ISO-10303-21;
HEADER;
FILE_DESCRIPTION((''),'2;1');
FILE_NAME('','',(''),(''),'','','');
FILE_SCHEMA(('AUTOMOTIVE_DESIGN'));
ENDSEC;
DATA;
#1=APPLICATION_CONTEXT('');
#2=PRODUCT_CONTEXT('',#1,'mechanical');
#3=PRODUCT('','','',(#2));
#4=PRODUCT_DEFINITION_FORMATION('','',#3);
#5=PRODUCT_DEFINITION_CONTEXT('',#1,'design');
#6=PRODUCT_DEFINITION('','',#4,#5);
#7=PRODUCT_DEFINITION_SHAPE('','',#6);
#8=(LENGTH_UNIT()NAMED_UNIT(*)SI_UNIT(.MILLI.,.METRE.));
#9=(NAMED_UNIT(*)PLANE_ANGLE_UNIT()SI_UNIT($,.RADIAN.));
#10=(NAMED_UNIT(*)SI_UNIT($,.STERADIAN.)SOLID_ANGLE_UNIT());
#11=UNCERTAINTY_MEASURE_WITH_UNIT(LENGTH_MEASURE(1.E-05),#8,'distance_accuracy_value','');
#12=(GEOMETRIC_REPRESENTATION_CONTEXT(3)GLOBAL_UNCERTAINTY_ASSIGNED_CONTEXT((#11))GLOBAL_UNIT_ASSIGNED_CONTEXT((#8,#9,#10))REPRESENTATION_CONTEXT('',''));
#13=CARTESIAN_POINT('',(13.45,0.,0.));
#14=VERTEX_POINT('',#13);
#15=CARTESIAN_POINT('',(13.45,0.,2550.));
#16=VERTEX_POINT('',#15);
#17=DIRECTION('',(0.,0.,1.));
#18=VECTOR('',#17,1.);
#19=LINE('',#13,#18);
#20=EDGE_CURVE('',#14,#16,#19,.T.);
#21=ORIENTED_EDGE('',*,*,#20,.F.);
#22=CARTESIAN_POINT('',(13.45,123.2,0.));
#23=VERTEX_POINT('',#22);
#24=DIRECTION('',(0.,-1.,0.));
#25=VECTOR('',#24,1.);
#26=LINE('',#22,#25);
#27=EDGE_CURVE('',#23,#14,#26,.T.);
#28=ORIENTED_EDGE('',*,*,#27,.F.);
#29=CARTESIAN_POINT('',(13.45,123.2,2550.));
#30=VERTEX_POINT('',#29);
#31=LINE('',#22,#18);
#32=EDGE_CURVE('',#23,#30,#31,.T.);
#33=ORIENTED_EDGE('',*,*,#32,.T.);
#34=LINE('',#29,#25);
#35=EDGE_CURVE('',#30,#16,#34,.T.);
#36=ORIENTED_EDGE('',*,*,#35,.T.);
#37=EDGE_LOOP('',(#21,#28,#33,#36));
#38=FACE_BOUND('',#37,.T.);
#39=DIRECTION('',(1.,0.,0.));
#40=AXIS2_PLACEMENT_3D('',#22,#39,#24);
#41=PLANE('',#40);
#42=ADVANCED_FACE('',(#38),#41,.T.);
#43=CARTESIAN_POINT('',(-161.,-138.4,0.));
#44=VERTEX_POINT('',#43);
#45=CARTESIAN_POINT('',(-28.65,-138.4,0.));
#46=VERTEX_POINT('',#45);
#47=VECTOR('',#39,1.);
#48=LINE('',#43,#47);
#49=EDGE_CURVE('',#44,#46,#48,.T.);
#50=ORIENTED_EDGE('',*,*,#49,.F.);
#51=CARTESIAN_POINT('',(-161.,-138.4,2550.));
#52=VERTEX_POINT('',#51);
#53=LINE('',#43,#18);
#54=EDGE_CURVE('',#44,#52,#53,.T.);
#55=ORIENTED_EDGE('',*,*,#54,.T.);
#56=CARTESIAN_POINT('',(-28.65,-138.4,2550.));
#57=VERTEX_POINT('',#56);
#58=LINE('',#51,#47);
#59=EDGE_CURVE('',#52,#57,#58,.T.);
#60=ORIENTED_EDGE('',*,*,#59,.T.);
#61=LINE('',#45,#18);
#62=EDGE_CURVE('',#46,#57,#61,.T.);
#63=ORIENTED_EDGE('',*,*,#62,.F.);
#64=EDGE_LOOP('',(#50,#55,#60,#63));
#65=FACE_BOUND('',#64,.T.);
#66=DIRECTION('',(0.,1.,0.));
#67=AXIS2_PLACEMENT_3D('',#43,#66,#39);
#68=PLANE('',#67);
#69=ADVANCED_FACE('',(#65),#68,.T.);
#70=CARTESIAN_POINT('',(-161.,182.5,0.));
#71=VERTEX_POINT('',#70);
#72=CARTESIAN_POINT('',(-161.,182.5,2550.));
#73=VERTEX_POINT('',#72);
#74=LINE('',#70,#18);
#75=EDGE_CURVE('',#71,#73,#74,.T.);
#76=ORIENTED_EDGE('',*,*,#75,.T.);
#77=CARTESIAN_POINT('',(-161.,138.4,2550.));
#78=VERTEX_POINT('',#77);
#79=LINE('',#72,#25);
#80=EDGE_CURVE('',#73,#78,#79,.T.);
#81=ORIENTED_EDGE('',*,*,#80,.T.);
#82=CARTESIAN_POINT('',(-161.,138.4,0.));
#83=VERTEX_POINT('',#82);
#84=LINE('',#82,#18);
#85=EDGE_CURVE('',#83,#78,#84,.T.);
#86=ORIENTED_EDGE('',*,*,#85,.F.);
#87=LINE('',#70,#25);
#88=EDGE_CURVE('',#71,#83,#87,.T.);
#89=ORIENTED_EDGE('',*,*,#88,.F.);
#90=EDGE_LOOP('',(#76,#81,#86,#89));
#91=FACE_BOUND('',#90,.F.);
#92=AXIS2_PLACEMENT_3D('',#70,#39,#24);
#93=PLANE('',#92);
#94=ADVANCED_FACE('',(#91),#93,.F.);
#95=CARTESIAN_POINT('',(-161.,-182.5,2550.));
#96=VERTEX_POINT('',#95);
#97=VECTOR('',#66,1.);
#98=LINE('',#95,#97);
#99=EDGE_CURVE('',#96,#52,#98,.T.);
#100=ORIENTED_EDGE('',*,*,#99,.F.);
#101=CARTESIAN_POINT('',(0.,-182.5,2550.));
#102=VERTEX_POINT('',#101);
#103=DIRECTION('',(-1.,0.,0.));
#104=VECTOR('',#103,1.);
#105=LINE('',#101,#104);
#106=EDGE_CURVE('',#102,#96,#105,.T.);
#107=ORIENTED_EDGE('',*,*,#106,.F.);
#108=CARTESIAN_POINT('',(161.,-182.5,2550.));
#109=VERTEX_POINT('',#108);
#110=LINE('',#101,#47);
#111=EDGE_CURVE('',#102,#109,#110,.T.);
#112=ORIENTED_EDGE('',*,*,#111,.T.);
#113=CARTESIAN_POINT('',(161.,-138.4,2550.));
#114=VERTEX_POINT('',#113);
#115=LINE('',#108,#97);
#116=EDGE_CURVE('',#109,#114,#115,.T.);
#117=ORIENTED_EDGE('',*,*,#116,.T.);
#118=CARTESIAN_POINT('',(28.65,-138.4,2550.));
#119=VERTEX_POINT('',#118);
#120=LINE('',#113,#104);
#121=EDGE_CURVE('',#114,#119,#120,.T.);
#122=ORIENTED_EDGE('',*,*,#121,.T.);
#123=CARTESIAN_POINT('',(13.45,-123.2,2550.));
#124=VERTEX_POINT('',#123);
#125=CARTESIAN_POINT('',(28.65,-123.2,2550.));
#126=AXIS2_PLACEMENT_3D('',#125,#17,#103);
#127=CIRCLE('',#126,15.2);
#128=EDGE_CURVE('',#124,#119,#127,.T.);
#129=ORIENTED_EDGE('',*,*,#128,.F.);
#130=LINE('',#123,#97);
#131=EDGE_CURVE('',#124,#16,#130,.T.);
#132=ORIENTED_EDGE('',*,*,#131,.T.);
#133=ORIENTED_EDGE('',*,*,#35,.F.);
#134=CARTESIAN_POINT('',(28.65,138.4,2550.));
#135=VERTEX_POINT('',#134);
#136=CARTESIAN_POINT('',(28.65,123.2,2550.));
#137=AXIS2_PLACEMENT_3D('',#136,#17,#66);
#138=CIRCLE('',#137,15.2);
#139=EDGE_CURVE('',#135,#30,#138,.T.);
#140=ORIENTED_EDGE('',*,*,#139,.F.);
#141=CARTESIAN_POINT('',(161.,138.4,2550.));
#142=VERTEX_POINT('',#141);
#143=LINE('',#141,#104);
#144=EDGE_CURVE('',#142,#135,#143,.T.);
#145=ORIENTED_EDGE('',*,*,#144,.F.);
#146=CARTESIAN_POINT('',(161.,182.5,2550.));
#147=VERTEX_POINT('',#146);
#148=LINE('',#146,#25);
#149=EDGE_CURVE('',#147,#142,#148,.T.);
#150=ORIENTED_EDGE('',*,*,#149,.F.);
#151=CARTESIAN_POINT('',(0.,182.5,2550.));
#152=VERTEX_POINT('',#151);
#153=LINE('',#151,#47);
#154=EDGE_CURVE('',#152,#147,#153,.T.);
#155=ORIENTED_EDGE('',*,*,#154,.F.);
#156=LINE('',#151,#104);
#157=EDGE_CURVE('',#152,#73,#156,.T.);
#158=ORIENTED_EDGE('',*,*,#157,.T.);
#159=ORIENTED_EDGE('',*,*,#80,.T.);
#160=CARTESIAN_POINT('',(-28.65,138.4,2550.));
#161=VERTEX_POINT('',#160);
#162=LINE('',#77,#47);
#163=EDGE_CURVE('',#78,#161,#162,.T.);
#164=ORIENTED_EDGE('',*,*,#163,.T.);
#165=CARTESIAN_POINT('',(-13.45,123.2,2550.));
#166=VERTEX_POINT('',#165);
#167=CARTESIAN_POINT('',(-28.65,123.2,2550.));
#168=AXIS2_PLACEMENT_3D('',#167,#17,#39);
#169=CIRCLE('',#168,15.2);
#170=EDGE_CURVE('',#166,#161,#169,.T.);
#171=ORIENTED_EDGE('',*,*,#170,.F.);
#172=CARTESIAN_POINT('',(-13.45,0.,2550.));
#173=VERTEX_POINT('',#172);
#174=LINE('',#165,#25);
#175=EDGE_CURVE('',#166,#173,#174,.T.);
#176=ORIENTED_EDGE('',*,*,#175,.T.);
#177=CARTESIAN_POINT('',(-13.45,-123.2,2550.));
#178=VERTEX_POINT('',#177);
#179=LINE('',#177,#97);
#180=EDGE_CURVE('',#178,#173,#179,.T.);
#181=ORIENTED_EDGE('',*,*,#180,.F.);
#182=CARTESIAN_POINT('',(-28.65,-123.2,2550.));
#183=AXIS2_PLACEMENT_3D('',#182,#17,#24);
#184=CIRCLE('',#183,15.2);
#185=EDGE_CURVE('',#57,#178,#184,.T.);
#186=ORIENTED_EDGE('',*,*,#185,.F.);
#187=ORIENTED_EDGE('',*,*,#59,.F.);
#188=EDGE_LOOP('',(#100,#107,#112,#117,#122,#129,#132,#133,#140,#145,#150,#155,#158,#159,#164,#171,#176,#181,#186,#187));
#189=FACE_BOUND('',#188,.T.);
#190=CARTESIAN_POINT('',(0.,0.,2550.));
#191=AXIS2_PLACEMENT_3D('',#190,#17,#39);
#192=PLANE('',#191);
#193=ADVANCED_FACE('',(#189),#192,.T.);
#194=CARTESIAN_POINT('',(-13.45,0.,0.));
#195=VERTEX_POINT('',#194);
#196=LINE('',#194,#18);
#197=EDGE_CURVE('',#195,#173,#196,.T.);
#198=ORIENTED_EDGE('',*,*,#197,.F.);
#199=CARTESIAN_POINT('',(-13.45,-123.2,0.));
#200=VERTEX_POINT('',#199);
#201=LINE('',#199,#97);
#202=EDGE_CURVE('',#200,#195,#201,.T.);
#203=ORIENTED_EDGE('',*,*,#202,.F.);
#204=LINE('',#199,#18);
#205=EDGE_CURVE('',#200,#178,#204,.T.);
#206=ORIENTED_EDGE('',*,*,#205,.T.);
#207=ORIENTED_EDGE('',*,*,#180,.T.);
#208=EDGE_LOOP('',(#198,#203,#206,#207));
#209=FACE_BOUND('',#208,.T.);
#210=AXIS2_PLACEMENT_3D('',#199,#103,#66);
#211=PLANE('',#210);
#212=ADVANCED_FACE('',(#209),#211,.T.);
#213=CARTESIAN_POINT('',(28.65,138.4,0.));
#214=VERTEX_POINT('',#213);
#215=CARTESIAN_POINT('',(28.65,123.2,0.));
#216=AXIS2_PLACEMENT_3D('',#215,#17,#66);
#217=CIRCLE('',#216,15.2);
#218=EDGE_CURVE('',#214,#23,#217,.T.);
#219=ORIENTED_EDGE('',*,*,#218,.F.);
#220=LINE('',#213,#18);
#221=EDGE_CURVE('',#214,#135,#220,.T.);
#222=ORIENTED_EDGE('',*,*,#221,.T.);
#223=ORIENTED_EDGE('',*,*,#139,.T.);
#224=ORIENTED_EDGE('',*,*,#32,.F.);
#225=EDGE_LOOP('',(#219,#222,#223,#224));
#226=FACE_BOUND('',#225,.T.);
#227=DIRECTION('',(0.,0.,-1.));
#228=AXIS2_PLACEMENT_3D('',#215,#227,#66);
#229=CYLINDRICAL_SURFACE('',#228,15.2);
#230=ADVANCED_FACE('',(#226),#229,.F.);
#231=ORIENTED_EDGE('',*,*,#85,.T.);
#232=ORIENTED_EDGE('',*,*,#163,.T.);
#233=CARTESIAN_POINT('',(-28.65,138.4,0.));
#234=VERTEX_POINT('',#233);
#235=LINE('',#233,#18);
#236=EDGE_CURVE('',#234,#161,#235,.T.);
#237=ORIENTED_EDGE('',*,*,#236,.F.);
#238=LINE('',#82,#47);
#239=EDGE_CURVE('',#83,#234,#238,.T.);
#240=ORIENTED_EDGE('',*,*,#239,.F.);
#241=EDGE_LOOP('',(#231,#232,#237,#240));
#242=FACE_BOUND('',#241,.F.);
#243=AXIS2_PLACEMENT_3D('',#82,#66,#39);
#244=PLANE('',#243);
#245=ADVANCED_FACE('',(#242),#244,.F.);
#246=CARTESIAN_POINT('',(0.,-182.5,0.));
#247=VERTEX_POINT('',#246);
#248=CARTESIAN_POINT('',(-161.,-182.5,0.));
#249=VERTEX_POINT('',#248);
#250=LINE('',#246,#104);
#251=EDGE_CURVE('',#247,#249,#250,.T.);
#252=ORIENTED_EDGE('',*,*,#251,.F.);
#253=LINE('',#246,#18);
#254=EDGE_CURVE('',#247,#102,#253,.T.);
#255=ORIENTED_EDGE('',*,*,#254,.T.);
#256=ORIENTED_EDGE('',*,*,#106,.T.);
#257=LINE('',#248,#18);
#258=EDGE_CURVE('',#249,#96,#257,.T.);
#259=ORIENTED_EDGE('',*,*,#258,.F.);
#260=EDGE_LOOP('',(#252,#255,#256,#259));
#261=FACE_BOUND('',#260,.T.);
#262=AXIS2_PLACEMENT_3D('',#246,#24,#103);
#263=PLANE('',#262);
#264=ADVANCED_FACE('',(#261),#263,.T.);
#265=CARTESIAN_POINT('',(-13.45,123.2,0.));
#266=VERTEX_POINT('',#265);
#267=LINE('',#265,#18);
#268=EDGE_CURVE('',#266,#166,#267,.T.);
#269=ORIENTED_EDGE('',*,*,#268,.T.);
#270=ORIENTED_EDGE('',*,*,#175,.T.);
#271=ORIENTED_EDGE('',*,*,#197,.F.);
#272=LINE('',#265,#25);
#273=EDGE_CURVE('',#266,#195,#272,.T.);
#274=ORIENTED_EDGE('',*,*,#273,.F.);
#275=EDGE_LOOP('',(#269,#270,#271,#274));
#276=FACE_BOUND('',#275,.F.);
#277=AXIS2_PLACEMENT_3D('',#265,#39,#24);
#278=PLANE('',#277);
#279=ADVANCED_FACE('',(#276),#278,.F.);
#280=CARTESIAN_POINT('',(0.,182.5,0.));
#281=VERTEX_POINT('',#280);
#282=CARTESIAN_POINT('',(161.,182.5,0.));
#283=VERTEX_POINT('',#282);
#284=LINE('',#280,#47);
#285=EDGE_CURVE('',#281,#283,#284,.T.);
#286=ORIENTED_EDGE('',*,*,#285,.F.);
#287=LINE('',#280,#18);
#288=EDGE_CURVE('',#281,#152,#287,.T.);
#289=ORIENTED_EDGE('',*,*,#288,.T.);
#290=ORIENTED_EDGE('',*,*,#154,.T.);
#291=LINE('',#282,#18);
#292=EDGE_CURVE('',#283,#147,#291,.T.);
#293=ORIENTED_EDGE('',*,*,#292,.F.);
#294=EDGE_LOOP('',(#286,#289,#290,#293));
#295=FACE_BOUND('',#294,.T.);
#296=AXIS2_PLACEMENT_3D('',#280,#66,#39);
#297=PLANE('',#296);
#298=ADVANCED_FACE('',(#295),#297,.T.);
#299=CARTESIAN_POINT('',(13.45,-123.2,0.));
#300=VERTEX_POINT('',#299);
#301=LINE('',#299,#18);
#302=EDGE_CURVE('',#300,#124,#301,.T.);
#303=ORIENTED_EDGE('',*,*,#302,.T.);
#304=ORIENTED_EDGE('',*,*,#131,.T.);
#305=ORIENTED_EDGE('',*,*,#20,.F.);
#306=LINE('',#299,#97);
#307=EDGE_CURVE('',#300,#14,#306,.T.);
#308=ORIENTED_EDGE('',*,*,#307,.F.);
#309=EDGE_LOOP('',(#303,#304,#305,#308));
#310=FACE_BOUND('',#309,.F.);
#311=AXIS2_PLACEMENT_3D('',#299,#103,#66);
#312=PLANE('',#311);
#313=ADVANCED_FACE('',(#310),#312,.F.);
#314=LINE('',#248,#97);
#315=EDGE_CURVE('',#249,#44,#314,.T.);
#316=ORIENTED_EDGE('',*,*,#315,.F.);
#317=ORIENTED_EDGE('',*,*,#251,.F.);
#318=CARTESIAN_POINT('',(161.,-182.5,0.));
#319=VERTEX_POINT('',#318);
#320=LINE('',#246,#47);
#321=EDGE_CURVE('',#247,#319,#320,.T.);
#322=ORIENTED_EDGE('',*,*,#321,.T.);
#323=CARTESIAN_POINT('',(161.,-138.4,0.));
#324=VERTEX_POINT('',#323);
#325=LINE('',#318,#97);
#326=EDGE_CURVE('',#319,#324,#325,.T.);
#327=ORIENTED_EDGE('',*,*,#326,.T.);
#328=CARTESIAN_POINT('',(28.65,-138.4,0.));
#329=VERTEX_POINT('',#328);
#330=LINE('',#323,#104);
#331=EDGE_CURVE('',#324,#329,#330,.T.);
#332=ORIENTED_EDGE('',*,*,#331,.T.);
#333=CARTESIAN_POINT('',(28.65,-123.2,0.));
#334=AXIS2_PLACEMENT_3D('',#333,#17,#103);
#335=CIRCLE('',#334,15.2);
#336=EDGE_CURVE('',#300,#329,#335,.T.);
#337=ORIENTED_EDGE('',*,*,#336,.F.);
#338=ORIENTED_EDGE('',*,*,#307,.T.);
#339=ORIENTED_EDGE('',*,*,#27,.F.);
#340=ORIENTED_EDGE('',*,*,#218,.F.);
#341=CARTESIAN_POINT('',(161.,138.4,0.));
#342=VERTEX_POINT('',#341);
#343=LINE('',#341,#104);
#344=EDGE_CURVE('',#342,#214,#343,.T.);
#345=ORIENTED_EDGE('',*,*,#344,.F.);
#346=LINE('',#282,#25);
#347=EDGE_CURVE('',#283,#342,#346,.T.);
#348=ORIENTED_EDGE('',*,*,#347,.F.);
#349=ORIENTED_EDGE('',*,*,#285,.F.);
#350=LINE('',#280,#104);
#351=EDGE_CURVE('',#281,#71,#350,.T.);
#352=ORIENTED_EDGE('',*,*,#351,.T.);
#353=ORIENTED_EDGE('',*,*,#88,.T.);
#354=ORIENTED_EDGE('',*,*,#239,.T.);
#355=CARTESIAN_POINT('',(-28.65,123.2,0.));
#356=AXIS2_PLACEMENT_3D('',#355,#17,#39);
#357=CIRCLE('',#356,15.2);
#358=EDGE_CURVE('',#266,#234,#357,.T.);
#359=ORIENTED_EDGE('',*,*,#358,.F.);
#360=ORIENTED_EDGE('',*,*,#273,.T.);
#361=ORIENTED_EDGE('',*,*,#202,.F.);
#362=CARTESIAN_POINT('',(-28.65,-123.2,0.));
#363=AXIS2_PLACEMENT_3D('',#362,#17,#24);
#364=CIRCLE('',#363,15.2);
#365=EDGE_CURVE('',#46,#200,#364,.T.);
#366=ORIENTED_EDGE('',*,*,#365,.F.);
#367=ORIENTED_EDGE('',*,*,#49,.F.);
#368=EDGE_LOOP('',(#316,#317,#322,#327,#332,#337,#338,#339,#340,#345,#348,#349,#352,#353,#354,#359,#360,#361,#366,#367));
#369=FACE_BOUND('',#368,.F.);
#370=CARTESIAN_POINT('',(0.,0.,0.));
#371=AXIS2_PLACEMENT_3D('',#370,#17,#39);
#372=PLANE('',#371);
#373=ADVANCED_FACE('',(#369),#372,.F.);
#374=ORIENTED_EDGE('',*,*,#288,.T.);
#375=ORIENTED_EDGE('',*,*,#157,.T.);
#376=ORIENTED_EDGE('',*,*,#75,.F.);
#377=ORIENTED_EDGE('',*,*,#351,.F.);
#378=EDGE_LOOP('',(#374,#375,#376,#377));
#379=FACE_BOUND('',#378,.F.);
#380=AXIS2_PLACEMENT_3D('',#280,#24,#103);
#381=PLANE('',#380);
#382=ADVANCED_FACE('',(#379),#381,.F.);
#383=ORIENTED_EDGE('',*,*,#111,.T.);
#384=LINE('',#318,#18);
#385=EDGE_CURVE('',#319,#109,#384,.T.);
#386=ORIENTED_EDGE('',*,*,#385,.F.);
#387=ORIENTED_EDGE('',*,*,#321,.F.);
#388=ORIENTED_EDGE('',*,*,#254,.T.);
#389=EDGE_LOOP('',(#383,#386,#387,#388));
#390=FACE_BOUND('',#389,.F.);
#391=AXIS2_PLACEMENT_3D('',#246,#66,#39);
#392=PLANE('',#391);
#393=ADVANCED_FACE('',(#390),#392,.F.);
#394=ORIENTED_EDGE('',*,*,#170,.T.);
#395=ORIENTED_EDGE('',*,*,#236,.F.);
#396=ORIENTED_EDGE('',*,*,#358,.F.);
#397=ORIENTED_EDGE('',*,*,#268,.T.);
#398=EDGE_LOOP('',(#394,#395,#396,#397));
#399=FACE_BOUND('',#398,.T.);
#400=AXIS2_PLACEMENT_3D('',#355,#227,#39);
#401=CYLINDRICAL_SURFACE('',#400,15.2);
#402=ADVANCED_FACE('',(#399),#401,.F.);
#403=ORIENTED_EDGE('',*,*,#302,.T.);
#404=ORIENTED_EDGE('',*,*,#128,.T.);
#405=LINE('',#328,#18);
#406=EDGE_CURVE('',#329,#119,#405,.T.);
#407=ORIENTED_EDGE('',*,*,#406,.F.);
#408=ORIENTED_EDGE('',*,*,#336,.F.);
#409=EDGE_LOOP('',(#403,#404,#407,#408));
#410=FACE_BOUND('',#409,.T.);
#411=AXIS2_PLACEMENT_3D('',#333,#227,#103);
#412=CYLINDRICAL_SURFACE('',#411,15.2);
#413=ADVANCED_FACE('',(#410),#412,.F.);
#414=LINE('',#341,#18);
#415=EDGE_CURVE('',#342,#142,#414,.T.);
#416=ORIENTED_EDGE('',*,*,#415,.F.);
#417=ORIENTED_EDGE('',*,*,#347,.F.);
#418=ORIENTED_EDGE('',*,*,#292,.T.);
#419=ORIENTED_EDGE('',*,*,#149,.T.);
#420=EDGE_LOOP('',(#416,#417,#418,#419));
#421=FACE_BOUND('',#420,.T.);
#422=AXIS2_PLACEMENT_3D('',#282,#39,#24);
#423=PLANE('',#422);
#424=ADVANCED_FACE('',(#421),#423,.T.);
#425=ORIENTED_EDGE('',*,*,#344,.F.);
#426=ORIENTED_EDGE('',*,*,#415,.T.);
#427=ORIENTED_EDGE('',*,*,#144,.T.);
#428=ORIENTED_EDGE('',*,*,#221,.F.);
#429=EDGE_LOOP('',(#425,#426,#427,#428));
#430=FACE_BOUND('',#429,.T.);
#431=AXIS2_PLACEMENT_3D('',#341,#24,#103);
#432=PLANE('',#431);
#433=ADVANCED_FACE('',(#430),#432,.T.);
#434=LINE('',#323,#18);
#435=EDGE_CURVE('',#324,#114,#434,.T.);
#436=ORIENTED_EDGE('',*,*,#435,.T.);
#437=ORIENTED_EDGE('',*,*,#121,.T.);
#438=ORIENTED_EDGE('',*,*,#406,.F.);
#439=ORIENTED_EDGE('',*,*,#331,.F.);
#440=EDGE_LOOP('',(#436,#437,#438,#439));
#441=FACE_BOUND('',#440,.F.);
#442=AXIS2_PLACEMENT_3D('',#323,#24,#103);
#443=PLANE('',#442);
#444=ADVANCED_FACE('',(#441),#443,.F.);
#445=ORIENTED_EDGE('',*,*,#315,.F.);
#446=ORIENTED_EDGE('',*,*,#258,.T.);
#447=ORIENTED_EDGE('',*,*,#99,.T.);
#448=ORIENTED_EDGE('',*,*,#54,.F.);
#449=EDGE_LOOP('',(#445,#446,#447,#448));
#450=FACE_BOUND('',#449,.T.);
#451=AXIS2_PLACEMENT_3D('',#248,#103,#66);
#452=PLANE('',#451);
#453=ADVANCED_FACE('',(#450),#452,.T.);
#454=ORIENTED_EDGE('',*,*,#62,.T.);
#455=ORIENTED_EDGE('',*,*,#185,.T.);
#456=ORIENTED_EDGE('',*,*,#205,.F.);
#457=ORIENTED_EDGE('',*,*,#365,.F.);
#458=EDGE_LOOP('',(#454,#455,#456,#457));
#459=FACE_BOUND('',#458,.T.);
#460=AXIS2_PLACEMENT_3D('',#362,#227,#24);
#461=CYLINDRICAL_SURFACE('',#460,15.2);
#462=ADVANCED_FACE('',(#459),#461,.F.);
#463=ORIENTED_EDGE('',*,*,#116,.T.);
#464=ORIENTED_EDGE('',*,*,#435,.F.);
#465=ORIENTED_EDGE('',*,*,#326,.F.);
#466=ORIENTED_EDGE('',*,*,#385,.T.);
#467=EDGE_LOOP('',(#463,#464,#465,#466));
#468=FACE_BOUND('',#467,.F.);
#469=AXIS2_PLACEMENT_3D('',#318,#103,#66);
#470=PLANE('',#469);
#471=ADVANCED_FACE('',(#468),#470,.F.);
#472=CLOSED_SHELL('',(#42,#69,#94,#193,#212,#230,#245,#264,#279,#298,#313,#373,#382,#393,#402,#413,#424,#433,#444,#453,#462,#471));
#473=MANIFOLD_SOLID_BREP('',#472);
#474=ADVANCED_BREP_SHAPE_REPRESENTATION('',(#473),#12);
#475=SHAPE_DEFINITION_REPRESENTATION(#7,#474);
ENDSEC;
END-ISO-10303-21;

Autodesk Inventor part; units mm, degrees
ref_plane "YZ Plane" through (0, 0, 0) normal (1, 0, 0) x (0, 1, 0)
ref_plane "Start plane" through (0, 0, 0) normal (0, 0, 1) x (1, 0, 0)
ref_plane "End plane" through (0, 0, 2550) normal (0, 0, 1) x (1, 0, 0)
sketch "Sketch" plane through (0, 0, 0) normal (0, 0, 1) x (1, 0, 0)
  line L0 (-161, -182.5) -> (-161, -138.4)
  line L1 (-161, -138.4) -> (-28.65, -138.4)
  line L2 (-13.45, -123.2) -> (-13.45, 0)
  line L3 (-13.45, 0) -> (0, 0) construction
  line L4 (0, 0) -> (0, -182.5) construction
  line L5 (0, -182.5) -> (-161, -182.5)
  line L6 (-60, 0) -> (80, 0) construction
  line L7 (0, -60) -> (0, 80) construction
  line L8 (161, -182.5) -> (161, -138.4)
  line L9 (161, -138.4) -> (28.65, -138.4)
  line L10 (13.45, -123.2) -> (13.45, 0)
  line L11 (13.45, 0) -> (0, 0) construction
  line L12 (0, -182.5) -> (161, -182.5)
  line L13 (-161, 182.5) -> (-161, 138.4)
  line L14 (-161, 138.4) -> (-28.65, 138.4)
  line L15 (-13.45, 123.2) -> (-13.45, 0)
  line L16 (0, 182.5) -> (-161, 182.5)
  line L17 (161, 182.5) -> (161, 138.4)
  line L18 (161, 138.4) -> (28.65, 138.4)
  line L19 (0, 182.5) -> (161, 182.5)
  line L20 (13.45, 123.2) -> (13.45, 0)
  arc A0 (-13.45, 123.2) -> (-28.65, 138.4) centre (-28.65, 123.2) ccw
  arc A1 (28.65, 138.4) -> (13.45, 123.2) centre (28.65, 123.2) ccw
  arc A2 (13.45, -123.2) -> (28.65, -138.4) centre (28.65, -123.2) ccw
  arc A3 (-28.65, -138.4) -> (-13.45, -123.2) centre (-28.65, -123.2) ccw
  line L21 (0, 108) -> (0, -88) construction
  line L22 (-88, 0) -> (108, 0) construction
  point P0 (-13.45, -138.4)
  point P1 (13.45, -138.4)
  point P2 (-13.45, 138.4)
  point P3 (13.45, 138.4)
  dimension "d1" = 182.5
  dimension "d2" = 44.1
  dimension "d3" = 161
  dimension "d4" = 13.45
  dimension "d10" = 15.2
extrude "Body" add sketch "Sketch" along normal up to surface (2550 mm away) from surface at 0
sketch "Sketch4" plane through (0, 0, 0) normal (0, 0, 1) x (1, 0, 0)
  line L0 (0, 0) -> (10, 0)
ref_plane "Work Plane3" through (0, 0, 0) normal (0, -1, 0) x (1, 0, 0)
sketch "Sketch5" plane through (0, 0, 0) normal (0, -1, 0) x (1, 0, 0)
  line L0 (-2, 0) -> (12, 0) projected
  line L1 (-2, 2550) -> (12, 2550) projected
  dimension "d14" = 2550
equation "\"d1\" = 0.5 * G_H"
equation "\"d2\" = G_T1"
equation "\"d3\" = 0.5 * G_W"
equation "\"d4\" = 0.5 * G_T"
equation "\"d10\" = G_IR"
equation "\"d5\" = G_L"
equation "\"G_W\" = 322"
equation "\"G_H\" = 365"
equation "\"G_T\" = 26.9"
equation "\"G_T1\" = 44.1"
equation "\"G_IR\" = 15.2"
equation "\"G_L\" = d14"
equation "\"G_OFFSET_START\" = 0"
equation "\"G_OFFSET_END\" = 0"
properties part number "AS 3679 - 310 UC - 283 - 2550" material "Steel, Mild"
